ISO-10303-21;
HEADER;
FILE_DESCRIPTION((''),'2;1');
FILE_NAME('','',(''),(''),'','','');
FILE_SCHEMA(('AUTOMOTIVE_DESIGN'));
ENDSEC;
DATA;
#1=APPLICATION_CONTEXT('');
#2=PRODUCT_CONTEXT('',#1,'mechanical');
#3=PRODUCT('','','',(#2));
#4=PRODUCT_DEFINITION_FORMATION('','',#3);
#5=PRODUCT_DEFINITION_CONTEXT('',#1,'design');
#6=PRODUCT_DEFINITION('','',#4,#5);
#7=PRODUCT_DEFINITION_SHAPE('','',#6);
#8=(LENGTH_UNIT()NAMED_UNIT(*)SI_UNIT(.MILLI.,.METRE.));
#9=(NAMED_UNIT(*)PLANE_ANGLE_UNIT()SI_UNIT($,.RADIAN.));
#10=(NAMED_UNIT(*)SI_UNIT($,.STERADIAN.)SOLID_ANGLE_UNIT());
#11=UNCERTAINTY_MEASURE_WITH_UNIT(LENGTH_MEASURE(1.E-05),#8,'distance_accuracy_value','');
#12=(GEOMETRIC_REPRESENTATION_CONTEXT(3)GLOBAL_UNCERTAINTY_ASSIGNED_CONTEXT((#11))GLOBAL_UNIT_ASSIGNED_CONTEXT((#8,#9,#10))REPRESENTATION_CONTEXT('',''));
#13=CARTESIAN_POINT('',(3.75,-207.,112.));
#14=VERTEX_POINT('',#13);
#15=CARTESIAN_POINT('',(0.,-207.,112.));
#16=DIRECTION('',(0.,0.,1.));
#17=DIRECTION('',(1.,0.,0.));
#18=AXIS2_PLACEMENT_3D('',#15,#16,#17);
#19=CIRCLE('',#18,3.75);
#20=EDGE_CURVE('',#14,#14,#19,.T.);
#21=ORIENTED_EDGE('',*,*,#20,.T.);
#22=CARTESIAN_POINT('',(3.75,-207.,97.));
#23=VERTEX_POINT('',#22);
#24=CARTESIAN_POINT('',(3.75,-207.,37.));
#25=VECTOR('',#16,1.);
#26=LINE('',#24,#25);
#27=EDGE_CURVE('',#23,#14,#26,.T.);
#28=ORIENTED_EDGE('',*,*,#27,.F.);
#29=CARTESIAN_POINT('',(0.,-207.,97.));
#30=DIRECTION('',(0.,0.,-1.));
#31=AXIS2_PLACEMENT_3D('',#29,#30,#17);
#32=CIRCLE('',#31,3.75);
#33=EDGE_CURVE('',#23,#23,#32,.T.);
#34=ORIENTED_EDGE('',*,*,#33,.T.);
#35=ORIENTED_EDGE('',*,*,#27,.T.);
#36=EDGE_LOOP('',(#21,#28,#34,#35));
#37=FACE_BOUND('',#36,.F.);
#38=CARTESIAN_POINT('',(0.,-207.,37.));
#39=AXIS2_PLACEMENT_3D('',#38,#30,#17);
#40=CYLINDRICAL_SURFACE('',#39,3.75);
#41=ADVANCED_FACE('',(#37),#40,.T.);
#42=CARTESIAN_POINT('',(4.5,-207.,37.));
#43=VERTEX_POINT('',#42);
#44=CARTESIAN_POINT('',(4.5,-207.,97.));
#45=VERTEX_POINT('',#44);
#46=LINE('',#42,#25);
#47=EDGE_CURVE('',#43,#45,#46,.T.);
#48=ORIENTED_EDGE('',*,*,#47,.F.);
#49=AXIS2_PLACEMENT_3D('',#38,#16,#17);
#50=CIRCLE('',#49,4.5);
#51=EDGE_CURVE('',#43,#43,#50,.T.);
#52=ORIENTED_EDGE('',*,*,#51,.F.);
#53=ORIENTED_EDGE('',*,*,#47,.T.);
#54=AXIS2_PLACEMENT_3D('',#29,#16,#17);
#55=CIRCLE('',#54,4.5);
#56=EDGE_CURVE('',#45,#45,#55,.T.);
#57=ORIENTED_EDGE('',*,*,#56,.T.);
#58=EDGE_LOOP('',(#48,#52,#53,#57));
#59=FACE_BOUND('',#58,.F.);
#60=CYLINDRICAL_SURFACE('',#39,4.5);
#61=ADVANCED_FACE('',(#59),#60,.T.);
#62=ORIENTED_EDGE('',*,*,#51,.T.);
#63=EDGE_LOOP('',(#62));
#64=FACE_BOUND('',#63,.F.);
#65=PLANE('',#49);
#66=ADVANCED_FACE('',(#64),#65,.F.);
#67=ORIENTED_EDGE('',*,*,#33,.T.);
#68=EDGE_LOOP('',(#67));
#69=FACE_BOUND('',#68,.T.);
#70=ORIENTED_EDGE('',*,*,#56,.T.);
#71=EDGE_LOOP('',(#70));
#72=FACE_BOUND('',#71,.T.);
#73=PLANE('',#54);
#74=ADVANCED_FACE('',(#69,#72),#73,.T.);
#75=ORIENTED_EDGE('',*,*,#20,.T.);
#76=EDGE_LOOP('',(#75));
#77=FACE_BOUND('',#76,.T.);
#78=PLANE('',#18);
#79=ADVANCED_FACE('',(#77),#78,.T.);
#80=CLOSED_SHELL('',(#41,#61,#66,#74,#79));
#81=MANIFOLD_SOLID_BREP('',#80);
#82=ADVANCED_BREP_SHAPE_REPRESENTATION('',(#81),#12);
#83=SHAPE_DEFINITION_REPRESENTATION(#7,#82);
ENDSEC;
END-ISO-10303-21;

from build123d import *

# Parameters (mm, degrees)
CYLINDER094_R     = 3.75
CYLINDER094_DEPTH = 75
CYLINDER095_R     = 4.5
CYLINDER095_DEPTH = 60


with BuildPart() as refmodules:
    # Cylinder094 → Cylinder094 (new body)
    with BuildSketch(Plane(origin=(0, -207, 37), x_dir=(1, 0, 0), z_dir=(0, 0, 1))):
        Circle(CYLINDER094_R)
    extrude(amount=CYLINDER094_DEPTH)


with BuildPart() as refmodule:
    # Cylinder095 → Cylinder095 (new body)
    with BuildSketch(Plane(origin=(0, -207, 37), x_dir=(1, 0, 0), z_dir=(0, 0, 1))):
        Circle(CYLINDER095_R)
    extrude(amount=CYLINDER095_DEPTH)

    # Fusion051: union refModules
    add(refmodules.part)


solid = refmodule.part
